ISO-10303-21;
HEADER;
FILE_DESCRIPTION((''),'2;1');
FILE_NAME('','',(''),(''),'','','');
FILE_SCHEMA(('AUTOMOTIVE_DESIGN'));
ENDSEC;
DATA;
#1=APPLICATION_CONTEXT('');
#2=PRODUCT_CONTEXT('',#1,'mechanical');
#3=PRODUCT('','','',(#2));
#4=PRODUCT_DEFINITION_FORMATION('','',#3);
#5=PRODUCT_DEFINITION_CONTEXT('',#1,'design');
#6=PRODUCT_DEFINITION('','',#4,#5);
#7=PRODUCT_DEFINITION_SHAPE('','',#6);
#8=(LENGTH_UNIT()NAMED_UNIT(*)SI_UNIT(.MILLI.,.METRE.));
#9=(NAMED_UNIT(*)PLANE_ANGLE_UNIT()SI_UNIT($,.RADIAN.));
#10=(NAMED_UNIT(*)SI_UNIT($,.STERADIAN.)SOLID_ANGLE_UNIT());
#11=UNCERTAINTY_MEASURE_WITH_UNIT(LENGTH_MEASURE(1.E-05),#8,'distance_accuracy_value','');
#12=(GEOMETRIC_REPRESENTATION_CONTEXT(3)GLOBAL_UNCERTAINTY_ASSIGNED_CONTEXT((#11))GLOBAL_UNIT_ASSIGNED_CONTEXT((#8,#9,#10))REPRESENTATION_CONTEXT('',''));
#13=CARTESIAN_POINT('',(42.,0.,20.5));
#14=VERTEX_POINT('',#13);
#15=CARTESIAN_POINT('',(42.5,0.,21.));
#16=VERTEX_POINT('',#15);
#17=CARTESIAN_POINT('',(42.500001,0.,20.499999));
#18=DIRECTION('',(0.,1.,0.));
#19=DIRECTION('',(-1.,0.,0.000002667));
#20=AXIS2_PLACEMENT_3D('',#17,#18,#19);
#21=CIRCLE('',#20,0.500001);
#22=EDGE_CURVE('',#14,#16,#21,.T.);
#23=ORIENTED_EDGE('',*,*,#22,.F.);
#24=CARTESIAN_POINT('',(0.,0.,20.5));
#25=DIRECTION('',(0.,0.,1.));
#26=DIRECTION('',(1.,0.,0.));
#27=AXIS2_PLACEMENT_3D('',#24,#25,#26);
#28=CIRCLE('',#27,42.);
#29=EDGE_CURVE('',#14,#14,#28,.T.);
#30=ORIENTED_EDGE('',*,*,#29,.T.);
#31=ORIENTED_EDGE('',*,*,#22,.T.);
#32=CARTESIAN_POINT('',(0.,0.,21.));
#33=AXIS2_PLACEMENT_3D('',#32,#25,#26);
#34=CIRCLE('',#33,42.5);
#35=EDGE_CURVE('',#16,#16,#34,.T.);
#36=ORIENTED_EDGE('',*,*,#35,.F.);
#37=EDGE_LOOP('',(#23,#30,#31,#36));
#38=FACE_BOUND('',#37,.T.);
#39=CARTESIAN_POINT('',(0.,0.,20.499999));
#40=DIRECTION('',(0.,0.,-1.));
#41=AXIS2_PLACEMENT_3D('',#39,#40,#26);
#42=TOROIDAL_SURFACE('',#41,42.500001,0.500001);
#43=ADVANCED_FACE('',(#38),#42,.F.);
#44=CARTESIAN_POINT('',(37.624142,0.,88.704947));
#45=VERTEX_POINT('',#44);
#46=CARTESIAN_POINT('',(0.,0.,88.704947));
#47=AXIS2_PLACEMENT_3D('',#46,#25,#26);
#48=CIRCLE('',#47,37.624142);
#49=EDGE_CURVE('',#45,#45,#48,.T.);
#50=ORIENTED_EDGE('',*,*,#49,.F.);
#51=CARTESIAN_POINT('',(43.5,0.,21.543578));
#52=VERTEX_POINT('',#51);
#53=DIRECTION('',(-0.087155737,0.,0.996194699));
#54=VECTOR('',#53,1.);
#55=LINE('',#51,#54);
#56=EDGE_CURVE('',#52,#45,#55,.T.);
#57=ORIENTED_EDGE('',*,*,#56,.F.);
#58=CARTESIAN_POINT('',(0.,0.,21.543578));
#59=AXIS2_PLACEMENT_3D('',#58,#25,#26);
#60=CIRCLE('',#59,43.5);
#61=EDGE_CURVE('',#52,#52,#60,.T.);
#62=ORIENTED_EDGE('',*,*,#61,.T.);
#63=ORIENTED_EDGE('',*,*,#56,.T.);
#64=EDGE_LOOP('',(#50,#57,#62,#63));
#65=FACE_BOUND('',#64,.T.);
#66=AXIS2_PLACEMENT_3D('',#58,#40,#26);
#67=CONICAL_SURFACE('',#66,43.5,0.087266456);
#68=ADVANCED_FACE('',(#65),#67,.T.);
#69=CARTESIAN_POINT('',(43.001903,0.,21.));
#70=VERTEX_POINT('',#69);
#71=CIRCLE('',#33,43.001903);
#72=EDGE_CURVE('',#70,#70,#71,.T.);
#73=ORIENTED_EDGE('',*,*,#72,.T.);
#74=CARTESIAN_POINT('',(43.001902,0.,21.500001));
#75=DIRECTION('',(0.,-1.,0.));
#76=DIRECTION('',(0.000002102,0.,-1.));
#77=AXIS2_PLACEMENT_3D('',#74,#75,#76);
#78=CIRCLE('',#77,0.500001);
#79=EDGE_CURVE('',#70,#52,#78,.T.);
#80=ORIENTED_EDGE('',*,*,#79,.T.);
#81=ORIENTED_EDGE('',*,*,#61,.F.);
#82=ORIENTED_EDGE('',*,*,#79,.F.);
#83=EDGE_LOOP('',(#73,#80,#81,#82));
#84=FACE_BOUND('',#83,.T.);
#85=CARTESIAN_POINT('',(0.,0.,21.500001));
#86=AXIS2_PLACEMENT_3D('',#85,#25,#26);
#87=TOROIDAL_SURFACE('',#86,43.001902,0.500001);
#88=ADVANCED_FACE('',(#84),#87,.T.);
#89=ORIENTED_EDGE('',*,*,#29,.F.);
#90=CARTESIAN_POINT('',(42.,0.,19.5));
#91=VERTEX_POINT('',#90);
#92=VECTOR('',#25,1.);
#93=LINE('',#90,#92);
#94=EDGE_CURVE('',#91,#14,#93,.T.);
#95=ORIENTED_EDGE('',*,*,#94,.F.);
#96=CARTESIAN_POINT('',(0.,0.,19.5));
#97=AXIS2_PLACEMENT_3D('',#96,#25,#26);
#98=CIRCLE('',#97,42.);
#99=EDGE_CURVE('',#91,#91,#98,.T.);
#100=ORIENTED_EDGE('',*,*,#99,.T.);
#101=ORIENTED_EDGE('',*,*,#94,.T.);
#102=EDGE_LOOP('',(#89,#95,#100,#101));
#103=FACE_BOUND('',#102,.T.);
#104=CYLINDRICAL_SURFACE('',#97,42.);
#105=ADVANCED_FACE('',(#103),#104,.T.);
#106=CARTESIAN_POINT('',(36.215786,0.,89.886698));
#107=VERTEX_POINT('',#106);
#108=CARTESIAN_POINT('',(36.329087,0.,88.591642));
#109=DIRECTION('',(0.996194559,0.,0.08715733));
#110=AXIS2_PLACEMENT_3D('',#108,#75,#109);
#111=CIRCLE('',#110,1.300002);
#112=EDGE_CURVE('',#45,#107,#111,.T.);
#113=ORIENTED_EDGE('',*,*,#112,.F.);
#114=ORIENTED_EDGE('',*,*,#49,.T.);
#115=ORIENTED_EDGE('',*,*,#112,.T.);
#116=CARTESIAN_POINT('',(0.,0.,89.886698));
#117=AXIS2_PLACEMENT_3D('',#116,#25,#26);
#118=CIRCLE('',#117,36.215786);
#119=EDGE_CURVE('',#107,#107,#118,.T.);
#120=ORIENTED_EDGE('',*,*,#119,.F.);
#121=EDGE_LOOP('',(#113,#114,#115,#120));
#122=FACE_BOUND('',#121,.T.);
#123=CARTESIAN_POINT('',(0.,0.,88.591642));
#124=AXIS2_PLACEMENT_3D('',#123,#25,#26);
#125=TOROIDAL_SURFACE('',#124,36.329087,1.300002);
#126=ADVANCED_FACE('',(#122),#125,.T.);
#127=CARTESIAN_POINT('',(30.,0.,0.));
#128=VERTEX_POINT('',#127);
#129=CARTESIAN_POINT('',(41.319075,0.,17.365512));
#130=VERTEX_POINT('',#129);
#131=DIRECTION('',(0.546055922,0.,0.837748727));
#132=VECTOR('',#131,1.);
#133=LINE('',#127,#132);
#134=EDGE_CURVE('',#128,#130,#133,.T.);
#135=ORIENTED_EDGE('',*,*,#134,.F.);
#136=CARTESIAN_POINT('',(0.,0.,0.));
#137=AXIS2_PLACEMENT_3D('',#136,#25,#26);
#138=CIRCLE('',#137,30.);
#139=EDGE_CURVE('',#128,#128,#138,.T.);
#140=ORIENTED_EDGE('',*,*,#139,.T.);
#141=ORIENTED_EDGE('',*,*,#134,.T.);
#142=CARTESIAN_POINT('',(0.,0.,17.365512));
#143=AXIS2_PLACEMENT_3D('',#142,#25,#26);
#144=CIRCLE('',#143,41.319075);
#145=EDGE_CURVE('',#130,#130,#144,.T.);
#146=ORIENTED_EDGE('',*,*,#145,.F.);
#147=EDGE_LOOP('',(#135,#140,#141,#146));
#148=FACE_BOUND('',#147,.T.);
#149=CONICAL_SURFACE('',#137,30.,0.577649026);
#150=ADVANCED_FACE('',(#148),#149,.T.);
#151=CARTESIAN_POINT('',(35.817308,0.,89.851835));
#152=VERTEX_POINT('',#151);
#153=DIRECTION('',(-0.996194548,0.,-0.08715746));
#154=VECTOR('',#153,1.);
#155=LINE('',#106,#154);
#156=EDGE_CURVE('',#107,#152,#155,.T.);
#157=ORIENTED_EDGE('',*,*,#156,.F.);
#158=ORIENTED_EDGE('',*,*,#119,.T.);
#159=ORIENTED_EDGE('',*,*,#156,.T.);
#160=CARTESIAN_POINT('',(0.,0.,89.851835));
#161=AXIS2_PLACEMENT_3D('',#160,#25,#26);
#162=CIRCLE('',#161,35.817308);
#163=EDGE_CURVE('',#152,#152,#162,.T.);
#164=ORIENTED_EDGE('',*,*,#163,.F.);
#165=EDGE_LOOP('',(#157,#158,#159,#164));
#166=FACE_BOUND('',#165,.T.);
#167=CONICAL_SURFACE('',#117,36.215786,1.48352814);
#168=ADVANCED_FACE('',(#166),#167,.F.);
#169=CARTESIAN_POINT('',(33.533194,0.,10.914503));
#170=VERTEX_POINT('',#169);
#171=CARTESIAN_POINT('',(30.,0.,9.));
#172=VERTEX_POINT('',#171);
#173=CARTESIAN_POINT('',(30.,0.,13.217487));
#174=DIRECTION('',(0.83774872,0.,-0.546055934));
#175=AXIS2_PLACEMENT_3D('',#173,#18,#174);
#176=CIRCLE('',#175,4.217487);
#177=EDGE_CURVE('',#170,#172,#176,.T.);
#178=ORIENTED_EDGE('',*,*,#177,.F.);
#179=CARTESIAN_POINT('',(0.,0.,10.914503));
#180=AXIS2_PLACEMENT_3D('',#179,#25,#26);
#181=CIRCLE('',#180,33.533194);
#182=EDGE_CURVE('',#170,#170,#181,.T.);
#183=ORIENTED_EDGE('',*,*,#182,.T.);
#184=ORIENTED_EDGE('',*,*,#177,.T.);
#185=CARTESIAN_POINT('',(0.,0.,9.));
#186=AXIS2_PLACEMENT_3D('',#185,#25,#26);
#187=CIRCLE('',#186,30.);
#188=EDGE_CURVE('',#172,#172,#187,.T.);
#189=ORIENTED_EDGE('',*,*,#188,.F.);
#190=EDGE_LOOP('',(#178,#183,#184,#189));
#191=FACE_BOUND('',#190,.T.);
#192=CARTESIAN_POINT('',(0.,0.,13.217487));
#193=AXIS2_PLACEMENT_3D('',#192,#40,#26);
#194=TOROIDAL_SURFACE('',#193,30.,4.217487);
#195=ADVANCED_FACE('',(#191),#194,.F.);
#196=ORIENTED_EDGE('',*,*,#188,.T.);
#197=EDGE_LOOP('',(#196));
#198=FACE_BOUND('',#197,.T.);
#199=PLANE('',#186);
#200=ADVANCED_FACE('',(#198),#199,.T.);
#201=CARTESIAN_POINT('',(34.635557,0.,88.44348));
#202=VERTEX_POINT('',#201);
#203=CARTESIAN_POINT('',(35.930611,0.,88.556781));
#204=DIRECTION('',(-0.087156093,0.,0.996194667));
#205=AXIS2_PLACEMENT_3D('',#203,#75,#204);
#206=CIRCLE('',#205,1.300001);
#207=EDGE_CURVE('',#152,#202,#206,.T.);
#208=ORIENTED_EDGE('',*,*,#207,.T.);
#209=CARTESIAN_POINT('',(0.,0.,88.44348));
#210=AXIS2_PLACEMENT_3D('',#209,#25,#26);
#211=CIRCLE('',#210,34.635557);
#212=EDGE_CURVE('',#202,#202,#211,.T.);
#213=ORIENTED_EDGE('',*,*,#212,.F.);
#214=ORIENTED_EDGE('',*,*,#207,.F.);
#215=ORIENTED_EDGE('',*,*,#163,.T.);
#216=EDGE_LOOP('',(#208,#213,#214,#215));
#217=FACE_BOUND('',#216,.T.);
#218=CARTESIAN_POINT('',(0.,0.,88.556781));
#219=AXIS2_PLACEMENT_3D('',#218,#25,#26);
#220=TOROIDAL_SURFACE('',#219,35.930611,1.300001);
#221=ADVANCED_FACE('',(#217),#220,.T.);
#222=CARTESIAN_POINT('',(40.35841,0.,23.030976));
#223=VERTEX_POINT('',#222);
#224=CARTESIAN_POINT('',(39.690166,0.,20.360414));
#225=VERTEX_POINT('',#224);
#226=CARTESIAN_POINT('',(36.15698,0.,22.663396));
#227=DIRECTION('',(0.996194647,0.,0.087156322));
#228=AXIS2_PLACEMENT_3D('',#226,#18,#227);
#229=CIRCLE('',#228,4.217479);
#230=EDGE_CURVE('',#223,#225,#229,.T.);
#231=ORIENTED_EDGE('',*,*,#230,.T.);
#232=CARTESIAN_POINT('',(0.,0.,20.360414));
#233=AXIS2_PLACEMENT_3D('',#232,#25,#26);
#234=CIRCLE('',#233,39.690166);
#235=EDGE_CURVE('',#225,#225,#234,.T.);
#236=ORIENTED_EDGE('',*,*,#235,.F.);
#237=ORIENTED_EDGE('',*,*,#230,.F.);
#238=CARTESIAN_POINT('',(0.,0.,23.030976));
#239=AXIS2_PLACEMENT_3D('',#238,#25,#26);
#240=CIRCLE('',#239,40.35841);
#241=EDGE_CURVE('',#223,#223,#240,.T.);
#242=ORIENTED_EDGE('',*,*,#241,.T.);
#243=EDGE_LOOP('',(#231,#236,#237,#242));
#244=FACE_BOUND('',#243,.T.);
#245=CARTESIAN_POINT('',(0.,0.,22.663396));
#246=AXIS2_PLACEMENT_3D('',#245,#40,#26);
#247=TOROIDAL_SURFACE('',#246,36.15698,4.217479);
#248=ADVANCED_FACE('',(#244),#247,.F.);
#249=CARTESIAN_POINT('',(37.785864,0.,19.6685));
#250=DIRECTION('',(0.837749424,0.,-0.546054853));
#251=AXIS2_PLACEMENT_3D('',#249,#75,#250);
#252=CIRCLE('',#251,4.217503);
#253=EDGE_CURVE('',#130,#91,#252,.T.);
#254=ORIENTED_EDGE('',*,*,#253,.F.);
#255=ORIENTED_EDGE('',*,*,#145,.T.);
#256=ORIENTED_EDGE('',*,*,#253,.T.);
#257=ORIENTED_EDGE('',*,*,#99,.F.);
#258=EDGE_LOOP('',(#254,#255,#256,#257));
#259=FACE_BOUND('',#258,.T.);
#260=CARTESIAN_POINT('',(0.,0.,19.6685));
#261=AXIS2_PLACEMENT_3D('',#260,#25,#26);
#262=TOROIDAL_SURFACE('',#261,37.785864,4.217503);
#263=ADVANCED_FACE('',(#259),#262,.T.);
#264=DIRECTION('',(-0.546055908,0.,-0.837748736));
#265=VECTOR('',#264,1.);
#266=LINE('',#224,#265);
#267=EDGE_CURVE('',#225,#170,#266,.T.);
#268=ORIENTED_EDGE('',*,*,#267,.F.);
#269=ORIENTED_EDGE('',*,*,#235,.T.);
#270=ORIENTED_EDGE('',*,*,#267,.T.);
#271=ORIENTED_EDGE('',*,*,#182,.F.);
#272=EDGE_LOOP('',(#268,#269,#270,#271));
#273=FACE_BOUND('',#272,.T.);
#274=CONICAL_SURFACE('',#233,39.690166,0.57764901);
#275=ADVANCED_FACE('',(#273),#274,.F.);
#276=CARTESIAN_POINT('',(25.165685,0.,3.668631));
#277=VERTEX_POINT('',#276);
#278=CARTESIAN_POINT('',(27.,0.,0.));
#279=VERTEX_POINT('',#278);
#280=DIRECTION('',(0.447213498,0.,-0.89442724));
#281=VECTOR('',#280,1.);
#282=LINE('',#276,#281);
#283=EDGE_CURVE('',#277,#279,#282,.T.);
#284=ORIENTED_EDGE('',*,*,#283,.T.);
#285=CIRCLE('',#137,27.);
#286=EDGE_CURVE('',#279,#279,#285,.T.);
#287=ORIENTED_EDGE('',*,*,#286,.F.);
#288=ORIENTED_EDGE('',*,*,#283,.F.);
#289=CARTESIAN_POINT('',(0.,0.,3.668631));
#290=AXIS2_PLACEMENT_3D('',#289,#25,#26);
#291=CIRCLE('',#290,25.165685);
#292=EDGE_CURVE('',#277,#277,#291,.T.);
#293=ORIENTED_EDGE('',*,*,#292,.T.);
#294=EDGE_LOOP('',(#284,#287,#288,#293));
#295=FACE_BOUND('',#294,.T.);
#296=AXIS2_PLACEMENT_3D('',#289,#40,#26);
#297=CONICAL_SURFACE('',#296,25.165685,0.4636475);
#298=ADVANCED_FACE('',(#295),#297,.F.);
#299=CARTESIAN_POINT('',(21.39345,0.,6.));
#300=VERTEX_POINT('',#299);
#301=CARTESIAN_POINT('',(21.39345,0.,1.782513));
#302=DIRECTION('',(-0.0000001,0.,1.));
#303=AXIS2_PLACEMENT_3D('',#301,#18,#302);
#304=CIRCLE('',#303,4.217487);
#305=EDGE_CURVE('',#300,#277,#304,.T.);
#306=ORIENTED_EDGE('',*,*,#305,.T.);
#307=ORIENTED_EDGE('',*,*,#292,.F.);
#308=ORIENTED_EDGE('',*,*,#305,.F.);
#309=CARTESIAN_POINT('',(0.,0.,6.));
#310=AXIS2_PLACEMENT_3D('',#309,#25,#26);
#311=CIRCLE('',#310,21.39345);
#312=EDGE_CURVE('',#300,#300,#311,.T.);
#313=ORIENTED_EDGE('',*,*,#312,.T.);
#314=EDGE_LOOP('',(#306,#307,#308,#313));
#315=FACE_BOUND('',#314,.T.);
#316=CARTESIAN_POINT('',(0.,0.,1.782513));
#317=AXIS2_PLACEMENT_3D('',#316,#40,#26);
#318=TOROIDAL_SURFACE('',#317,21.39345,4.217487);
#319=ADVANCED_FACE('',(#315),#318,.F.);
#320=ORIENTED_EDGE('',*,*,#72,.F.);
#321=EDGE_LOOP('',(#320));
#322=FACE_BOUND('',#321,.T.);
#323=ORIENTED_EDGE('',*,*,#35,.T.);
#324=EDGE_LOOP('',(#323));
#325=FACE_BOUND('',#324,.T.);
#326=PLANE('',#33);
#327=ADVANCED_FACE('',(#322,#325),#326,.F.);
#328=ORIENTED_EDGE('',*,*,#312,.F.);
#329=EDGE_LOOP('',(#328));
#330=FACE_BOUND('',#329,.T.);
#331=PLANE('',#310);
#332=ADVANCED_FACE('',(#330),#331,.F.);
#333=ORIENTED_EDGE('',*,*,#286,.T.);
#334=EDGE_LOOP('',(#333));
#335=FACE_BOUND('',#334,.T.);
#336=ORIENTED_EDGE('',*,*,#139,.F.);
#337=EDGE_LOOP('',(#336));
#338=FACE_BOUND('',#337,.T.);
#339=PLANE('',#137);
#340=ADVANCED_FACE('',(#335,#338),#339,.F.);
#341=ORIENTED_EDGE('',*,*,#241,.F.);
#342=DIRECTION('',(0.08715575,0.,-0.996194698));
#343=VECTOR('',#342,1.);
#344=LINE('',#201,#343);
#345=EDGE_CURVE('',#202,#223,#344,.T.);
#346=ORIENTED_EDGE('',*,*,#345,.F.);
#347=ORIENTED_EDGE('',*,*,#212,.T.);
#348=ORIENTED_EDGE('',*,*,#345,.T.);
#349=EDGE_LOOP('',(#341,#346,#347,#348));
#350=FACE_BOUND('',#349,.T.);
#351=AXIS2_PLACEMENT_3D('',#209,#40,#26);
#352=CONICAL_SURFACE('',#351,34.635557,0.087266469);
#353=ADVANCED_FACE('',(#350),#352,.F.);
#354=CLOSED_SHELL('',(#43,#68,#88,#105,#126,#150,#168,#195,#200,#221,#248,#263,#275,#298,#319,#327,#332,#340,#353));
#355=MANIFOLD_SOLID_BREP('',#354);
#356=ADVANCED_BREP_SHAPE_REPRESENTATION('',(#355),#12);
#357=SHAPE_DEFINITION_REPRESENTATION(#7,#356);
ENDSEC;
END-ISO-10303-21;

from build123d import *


with BuildPart() as f1:
    # F0 (on Front) → F1 (revolve)
    with BuildSketch(Plane.XZ):
        with BuildLine():
            Line((0, 9), (0, 6))
            Line((0, 6), (21.39345, 6))
            ThreePointArc((21.39345, 6), (23.610714, 5.370122), (25.165685, 3.668631))
            Line((25.165685, 3.668631), (27, 0))
            Line((27, 0), (30, 0))
            Line((30, 0), (41.319075, 17.365512))
            ThreePointArc((41.319075, 17.365512), (41.803868, 18.386713), (42, 19.5))
            Line((42, 19.5), (42, 20.5))
            ThreePointArc((42, 20.5), (42.146447, 20.853553), (42.5, 21))
            Line((42.5, 21), (43.001903, 21))
            ThreePointArc((43.001903, 21), (43.370541, 21.162205), (43.5, 21.543578))
            Line((43.5, 21.543578), (37.624142, 88.704947))
            ThreePointArc((37.624142, 88.704947), (37.164712, 89.587502), (36.215786, 89.886698))
            Line((36.215786, 89.886698), (35.817308, 89.851835))
            ThreePointArc((35.817308, 89.851835), (34.934753, 89.392406), (34.635557, 88.44348))
            Line((34.635557, 88.44348), (40.35841, 23.030976))
            ThreePointArc((40.35841, 23.030976), (40.248318, 21.639637), (39.690166, 20.360414))
            Line((39.690166, 20.360414), (33.533194, 10.914503))
            ThreePointArc((33.533194, 10.914503), (32.009278, 9.509388), (30, 9))
            Line((30, 9), (0, 9))
        make_face()
    revolve(axis=Axis((0, 0, 44.352473), (0, 0, 1)))


solid = f1.part
